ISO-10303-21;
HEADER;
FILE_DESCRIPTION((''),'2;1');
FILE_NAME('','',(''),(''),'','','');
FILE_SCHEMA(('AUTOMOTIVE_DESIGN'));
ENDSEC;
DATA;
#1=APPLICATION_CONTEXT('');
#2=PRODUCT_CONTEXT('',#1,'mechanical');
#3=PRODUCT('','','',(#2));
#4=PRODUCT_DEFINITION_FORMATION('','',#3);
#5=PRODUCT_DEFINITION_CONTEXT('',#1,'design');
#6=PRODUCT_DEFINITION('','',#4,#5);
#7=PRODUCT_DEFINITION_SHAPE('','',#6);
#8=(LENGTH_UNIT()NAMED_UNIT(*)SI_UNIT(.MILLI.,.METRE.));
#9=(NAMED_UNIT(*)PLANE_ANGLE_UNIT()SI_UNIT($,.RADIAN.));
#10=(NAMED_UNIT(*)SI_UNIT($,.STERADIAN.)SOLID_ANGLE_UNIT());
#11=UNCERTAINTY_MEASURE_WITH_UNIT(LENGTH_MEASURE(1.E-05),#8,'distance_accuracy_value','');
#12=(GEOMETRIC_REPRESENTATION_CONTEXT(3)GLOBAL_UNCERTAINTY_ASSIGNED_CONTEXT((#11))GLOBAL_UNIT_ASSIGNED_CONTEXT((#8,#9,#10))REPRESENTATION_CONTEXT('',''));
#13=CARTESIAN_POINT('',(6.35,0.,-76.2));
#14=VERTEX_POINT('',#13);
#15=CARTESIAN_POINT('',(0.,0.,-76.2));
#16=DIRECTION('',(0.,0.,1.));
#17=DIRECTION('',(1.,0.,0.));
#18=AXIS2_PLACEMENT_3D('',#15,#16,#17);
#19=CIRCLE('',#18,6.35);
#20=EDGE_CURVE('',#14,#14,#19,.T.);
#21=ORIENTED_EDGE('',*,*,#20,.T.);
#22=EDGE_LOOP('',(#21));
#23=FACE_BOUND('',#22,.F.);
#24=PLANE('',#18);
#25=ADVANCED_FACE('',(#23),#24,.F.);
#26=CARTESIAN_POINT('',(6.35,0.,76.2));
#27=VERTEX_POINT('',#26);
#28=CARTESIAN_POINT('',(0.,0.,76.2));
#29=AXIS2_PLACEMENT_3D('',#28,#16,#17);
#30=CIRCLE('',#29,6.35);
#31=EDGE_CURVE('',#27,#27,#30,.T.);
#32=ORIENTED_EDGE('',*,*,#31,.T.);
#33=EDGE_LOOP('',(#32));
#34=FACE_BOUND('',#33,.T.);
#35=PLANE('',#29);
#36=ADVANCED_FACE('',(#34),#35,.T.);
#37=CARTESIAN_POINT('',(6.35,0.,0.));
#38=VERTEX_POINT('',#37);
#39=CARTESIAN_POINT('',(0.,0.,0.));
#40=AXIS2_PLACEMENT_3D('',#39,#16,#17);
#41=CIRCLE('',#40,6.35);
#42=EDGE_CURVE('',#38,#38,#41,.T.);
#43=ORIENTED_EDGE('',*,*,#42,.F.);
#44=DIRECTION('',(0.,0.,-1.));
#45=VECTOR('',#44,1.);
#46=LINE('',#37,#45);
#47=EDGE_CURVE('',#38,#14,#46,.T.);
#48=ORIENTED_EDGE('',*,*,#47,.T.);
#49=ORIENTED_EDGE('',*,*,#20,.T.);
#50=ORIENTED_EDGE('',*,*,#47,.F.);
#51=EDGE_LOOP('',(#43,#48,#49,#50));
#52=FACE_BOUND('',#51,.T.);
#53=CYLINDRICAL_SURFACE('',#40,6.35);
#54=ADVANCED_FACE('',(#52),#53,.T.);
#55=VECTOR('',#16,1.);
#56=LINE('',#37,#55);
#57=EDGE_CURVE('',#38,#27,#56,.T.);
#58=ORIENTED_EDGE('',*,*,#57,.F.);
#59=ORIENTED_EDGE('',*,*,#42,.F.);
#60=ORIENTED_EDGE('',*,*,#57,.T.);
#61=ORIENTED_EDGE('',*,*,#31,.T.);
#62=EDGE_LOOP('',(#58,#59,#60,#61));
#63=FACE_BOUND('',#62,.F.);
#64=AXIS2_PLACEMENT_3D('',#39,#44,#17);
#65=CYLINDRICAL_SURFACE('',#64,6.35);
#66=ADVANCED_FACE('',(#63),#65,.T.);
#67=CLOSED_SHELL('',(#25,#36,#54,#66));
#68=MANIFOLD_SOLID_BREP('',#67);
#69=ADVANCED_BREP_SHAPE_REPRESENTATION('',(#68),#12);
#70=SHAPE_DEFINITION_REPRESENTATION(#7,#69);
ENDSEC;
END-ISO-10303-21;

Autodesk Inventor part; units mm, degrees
ref_plane "YZ Plane" through (0, 0, 0) normal (1, 0, 0) x (0, 1, 0)
ref_plane "XZ Plane" through (0, 0, 0) normal (0, 1, 0) x (-1, 0, 0)
ref_plane "XY Plane" through (0, 0, 0) normal (0, 0, 1) x (1, 0, 0)
sketch "Sketch1" plane through (0, 0, 0) normal (0, 0, 1) x (1, 0, 0)
  circle A0 centre (0, 0) radius 6.35
  dimension "diam" = 12.7
extrude "Extrusion1" add sketch "Sketch1" along normal mid plane 152.4
properties part number "D 1_2 L 6"
